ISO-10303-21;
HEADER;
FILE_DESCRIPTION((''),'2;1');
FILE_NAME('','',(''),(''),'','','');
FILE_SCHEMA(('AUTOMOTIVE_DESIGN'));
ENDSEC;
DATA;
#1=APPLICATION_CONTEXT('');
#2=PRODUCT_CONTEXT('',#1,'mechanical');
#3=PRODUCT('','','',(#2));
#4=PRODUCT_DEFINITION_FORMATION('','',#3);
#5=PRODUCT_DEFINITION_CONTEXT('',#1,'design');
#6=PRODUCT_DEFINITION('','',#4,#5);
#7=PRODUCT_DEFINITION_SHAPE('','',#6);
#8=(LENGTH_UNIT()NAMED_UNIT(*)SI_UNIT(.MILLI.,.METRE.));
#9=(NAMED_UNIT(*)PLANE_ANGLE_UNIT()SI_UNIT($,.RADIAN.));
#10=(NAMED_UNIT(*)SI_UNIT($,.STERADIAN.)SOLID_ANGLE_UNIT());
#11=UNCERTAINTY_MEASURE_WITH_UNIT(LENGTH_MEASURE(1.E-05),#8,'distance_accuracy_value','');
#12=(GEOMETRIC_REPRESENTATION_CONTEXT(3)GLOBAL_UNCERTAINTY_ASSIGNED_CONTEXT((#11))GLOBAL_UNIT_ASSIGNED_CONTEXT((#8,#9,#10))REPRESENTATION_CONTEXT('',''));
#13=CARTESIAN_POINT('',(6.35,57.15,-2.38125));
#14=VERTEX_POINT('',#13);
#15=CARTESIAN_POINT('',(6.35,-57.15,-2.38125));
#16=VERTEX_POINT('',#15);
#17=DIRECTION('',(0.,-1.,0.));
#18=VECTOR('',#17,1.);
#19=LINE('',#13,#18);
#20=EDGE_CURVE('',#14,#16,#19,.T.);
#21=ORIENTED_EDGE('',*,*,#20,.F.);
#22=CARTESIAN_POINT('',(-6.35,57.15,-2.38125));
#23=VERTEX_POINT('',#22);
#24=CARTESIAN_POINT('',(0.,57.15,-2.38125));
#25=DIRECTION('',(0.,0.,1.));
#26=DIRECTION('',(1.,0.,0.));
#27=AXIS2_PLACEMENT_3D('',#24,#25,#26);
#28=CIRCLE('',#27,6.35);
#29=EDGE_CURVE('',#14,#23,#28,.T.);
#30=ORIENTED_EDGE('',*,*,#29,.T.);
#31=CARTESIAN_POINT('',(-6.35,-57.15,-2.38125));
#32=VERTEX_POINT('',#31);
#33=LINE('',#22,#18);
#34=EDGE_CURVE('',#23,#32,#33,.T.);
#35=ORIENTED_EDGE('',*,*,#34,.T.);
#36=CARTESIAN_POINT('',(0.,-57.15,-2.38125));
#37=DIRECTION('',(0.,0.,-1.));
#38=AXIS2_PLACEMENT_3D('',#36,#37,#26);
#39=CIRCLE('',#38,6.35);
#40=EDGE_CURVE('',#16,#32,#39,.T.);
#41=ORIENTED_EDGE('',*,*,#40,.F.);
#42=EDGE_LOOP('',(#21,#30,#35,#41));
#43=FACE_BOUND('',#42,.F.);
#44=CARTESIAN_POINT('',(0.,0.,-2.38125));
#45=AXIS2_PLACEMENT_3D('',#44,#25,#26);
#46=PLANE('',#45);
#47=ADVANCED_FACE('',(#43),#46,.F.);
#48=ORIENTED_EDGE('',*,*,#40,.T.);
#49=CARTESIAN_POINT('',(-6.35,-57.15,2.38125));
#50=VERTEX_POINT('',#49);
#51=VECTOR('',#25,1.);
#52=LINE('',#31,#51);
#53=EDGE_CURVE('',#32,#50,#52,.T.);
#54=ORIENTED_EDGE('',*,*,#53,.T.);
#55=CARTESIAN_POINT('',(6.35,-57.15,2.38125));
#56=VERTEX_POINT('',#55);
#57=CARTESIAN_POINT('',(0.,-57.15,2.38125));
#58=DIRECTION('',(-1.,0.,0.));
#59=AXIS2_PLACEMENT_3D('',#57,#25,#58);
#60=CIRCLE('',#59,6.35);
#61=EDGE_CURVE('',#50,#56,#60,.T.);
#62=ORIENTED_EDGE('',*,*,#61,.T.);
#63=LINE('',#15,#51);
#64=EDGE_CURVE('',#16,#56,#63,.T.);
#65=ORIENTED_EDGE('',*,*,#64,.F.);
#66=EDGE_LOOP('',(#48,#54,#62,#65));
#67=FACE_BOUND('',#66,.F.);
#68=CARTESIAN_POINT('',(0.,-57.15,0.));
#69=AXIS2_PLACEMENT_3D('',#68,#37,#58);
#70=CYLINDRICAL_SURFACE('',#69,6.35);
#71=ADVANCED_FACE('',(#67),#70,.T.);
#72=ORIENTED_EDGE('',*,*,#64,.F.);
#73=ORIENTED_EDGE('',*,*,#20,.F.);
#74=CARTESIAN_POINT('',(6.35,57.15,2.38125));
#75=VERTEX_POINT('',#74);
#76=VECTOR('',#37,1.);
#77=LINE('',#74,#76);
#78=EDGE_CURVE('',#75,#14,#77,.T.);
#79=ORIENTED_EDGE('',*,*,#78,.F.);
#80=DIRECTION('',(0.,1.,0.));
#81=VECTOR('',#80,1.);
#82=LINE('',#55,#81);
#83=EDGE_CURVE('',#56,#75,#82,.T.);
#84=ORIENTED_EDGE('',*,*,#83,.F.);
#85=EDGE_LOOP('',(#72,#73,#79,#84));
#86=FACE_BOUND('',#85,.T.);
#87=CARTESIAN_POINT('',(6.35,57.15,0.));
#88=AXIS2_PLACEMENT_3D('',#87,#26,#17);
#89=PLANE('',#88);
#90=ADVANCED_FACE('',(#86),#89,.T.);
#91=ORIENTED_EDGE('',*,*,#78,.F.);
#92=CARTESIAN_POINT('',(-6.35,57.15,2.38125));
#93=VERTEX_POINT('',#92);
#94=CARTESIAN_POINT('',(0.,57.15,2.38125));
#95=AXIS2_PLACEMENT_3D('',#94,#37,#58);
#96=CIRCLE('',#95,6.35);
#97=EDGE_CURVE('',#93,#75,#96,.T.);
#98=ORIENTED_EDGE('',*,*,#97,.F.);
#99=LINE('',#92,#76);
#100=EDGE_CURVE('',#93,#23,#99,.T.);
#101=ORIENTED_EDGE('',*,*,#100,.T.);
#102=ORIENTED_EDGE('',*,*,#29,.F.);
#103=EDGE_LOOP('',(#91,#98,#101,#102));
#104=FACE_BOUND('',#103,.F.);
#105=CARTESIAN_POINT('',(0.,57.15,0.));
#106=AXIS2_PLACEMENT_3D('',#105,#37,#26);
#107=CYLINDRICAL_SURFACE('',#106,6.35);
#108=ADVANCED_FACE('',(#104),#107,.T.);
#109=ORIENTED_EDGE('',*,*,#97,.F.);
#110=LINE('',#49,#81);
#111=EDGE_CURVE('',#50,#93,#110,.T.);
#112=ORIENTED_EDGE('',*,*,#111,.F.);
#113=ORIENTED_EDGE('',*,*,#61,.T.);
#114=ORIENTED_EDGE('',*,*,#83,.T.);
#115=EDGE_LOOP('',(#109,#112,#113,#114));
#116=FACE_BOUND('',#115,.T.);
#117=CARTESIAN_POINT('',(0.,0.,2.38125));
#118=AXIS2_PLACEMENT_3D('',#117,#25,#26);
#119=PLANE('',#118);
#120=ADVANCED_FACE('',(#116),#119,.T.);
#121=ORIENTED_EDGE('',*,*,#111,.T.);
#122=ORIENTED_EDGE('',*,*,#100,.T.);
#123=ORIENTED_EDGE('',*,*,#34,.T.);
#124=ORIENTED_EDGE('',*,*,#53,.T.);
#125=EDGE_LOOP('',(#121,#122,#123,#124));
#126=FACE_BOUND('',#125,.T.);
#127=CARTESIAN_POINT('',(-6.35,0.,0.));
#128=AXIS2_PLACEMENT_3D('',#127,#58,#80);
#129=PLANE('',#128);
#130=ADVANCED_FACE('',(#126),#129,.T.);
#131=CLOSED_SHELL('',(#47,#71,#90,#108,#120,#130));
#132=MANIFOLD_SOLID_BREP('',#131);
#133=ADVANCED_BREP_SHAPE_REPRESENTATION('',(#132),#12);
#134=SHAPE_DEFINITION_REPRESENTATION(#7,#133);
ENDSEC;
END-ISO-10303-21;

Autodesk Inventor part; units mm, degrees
ref_plane "YZ Plane" through (0, 0, 0) normal (1, 0, 0) x (0, 1, 0)
ref_plane "XZ Plane" through (0, 0, 0) normal (0, 1, 0) x (-1, 0, 0)
ref_plane "XY Plane" through (0, 0, 0) normal (0, 0, 1) x (1, 0, 0)
sketch "Sketch1" plane through (0, 0, 0) normal (0, 0, 1) x (1, 0, 0)
  line L0 (-8.89, 0) -> (8.89, 0) projected
  line L1 (0, -88.9) -> (0, 88.9) projected
  line L2 (-6.35, 57.15) -> (6.35, 57.15) construction
  line L3 (6.35, 57.15) -> (6.35, -57.15)
  line L4 (6.35, -57.15) -> (-6.35, -57.15) construction
  line L5 (-6.35, -57.15) -> (-6.35, 57.15)
  arc A0 (6.35, 57.15) -> (-6.35, 57.15) centre (0, 57.15) ccw
  arc A1 (-6.35, -57.15) -> (6.35, -57.15) centre (0, -57.15) ccw
  point P0 (0, 0)
  point P1 (-6.35, 0)
  dimension "d0" = 12.7
  dimension "d1" = 114.3
extrude "Extrusion1" add sketch "Sketch1" along normal mid plane 4.7625
properties part number "top bottom link"
